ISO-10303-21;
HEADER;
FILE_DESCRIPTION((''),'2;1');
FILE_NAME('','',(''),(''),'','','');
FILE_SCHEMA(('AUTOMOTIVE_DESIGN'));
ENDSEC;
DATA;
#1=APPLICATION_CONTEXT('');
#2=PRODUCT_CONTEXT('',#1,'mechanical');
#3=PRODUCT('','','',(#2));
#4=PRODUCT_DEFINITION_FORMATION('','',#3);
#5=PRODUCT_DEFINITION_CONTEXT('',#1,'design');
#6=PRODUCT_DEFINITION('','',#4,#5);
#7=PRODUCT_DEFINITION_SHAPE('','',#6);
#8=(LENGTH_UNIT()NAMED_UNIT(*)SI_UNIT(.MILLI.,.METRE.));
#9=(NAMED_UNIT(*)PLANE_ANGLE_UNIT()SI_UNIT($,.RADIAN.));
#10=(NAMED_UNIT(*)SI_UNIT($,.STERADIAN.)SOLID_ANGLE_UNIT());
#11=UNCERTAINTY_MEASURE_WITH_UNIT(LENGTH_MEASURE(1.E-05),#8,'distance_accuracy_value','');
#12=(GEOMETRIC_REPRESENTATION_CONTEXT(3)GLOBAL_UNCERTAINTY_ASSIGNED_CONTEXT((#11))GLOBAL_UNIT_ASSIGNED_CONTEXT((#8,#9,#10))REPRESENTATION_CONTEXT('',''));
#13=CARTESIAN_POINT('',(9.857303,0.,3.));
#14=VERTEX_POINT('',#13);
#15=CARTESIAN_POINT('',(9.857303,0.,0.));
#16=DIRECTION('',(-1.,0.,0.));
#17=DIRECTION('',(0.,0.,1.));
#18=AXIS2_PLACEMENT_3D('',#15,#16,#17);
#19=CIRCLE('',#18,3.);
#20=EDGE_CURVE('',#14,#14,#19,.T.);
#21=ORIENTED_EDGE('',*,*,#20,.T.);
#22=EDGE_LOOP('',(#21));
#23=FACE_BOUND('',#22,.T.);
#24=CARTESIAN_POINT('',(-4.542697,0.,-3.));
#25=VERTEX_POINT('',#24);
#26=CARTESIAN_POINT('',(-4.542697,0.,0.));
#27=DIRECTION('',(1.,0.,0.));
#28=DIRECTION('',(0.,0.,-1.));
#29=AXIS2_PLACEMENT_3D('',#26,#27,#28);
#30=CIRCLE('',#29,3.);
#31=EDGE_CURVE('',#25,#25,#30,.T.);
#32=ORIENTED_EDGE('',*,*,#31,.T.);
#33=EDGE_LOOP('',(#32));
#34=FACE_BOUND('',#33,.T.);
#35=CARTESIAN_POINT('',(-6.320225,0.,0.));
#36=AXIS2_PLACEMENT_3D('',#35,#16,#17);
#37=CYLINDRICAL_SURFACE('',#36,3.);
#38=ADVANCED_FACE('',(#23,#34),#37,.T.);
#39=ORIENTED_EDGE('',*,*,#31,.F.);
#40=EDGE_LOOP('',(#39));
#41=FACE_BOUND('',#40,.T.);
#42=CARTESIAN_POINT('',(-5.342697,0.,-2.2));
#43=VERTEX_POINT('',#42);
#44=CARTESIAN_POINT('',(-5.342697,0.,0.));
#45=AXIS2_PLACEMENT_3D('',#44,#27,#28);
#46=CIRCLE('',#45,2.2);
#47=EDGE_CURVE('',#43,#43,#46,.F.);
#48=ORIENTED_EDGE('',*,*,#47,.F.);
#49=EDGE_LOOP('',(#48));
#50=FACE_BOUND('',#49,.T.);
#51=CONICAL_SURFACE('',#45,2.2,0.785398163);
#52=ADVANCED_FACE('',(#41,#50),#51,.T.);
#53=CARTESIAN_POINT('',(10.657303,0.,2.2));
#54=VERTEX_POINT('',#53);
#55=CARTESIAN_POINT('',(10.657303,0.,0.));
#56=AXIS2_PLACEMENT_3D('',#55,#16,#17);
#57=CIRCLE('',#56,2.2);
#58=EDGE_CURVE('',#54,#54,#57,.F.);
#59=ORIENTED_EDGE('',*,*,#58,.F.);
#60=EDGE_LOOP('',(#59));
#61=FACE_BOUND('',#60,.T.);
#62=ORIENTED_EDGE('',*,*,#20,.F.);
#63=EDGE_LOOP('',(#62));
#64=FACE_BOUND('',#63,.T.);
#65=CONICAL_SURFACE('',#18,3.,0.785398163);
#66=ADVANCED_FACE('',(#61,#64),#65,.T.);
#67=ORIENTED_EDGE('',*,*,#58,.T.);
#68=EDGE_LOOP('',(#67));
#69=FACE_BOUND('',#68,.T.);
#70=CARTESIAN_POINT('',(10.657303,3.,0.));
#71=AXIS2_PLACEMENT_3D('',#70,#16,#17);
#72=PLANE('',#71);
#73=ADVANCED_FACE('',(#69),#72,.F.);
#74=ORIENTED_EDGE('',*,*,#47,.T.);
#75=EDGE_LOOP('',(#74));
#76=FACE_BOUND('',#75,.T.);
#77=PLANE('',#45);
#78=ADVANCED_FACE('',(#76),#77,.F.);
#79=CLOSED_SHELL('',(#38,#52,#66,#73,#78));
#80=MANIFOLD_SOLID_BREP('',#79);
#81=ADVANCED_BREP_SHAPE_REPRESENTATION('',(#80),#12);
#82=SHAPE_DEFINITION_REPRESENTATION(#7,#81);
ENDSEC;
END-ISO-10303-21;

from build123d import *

# Parameters (mm, degrees)
SKETCH_1_W     = 16
SKETCH_1_H     = 3
CHAMFER_1_SIZE = 0.8


with BuildPart() as part:
    # 草图1 → 旋转1 (revolve)
    with BuildSketch(Plane.XY, mode=Mode.PRIVATE) as revolve_1_sk:
        with Locations((2.657303371, 1.5)):
            Rectangle(SKETCH_1_W, SKETCH_1_H)
    revolve(revolve_1_sk.sketch.rotate(Axis((-6.320224719, 0, 0), (1, 0, 0)), 90), axis=Axis((-6.320224719, 0, 0), (1, 0, 0)))

    # 倒角1
    chamfer_1_edges = [part.edges().sort_by_distance(p)[0] for p in [
        (10.657303371, 0, -3),
        (-5.342696629, 0, -3),
    ]]
    chamfer(chamfer_1_edges, length=CHAMFER_1_SIZE)


solid = part.part
